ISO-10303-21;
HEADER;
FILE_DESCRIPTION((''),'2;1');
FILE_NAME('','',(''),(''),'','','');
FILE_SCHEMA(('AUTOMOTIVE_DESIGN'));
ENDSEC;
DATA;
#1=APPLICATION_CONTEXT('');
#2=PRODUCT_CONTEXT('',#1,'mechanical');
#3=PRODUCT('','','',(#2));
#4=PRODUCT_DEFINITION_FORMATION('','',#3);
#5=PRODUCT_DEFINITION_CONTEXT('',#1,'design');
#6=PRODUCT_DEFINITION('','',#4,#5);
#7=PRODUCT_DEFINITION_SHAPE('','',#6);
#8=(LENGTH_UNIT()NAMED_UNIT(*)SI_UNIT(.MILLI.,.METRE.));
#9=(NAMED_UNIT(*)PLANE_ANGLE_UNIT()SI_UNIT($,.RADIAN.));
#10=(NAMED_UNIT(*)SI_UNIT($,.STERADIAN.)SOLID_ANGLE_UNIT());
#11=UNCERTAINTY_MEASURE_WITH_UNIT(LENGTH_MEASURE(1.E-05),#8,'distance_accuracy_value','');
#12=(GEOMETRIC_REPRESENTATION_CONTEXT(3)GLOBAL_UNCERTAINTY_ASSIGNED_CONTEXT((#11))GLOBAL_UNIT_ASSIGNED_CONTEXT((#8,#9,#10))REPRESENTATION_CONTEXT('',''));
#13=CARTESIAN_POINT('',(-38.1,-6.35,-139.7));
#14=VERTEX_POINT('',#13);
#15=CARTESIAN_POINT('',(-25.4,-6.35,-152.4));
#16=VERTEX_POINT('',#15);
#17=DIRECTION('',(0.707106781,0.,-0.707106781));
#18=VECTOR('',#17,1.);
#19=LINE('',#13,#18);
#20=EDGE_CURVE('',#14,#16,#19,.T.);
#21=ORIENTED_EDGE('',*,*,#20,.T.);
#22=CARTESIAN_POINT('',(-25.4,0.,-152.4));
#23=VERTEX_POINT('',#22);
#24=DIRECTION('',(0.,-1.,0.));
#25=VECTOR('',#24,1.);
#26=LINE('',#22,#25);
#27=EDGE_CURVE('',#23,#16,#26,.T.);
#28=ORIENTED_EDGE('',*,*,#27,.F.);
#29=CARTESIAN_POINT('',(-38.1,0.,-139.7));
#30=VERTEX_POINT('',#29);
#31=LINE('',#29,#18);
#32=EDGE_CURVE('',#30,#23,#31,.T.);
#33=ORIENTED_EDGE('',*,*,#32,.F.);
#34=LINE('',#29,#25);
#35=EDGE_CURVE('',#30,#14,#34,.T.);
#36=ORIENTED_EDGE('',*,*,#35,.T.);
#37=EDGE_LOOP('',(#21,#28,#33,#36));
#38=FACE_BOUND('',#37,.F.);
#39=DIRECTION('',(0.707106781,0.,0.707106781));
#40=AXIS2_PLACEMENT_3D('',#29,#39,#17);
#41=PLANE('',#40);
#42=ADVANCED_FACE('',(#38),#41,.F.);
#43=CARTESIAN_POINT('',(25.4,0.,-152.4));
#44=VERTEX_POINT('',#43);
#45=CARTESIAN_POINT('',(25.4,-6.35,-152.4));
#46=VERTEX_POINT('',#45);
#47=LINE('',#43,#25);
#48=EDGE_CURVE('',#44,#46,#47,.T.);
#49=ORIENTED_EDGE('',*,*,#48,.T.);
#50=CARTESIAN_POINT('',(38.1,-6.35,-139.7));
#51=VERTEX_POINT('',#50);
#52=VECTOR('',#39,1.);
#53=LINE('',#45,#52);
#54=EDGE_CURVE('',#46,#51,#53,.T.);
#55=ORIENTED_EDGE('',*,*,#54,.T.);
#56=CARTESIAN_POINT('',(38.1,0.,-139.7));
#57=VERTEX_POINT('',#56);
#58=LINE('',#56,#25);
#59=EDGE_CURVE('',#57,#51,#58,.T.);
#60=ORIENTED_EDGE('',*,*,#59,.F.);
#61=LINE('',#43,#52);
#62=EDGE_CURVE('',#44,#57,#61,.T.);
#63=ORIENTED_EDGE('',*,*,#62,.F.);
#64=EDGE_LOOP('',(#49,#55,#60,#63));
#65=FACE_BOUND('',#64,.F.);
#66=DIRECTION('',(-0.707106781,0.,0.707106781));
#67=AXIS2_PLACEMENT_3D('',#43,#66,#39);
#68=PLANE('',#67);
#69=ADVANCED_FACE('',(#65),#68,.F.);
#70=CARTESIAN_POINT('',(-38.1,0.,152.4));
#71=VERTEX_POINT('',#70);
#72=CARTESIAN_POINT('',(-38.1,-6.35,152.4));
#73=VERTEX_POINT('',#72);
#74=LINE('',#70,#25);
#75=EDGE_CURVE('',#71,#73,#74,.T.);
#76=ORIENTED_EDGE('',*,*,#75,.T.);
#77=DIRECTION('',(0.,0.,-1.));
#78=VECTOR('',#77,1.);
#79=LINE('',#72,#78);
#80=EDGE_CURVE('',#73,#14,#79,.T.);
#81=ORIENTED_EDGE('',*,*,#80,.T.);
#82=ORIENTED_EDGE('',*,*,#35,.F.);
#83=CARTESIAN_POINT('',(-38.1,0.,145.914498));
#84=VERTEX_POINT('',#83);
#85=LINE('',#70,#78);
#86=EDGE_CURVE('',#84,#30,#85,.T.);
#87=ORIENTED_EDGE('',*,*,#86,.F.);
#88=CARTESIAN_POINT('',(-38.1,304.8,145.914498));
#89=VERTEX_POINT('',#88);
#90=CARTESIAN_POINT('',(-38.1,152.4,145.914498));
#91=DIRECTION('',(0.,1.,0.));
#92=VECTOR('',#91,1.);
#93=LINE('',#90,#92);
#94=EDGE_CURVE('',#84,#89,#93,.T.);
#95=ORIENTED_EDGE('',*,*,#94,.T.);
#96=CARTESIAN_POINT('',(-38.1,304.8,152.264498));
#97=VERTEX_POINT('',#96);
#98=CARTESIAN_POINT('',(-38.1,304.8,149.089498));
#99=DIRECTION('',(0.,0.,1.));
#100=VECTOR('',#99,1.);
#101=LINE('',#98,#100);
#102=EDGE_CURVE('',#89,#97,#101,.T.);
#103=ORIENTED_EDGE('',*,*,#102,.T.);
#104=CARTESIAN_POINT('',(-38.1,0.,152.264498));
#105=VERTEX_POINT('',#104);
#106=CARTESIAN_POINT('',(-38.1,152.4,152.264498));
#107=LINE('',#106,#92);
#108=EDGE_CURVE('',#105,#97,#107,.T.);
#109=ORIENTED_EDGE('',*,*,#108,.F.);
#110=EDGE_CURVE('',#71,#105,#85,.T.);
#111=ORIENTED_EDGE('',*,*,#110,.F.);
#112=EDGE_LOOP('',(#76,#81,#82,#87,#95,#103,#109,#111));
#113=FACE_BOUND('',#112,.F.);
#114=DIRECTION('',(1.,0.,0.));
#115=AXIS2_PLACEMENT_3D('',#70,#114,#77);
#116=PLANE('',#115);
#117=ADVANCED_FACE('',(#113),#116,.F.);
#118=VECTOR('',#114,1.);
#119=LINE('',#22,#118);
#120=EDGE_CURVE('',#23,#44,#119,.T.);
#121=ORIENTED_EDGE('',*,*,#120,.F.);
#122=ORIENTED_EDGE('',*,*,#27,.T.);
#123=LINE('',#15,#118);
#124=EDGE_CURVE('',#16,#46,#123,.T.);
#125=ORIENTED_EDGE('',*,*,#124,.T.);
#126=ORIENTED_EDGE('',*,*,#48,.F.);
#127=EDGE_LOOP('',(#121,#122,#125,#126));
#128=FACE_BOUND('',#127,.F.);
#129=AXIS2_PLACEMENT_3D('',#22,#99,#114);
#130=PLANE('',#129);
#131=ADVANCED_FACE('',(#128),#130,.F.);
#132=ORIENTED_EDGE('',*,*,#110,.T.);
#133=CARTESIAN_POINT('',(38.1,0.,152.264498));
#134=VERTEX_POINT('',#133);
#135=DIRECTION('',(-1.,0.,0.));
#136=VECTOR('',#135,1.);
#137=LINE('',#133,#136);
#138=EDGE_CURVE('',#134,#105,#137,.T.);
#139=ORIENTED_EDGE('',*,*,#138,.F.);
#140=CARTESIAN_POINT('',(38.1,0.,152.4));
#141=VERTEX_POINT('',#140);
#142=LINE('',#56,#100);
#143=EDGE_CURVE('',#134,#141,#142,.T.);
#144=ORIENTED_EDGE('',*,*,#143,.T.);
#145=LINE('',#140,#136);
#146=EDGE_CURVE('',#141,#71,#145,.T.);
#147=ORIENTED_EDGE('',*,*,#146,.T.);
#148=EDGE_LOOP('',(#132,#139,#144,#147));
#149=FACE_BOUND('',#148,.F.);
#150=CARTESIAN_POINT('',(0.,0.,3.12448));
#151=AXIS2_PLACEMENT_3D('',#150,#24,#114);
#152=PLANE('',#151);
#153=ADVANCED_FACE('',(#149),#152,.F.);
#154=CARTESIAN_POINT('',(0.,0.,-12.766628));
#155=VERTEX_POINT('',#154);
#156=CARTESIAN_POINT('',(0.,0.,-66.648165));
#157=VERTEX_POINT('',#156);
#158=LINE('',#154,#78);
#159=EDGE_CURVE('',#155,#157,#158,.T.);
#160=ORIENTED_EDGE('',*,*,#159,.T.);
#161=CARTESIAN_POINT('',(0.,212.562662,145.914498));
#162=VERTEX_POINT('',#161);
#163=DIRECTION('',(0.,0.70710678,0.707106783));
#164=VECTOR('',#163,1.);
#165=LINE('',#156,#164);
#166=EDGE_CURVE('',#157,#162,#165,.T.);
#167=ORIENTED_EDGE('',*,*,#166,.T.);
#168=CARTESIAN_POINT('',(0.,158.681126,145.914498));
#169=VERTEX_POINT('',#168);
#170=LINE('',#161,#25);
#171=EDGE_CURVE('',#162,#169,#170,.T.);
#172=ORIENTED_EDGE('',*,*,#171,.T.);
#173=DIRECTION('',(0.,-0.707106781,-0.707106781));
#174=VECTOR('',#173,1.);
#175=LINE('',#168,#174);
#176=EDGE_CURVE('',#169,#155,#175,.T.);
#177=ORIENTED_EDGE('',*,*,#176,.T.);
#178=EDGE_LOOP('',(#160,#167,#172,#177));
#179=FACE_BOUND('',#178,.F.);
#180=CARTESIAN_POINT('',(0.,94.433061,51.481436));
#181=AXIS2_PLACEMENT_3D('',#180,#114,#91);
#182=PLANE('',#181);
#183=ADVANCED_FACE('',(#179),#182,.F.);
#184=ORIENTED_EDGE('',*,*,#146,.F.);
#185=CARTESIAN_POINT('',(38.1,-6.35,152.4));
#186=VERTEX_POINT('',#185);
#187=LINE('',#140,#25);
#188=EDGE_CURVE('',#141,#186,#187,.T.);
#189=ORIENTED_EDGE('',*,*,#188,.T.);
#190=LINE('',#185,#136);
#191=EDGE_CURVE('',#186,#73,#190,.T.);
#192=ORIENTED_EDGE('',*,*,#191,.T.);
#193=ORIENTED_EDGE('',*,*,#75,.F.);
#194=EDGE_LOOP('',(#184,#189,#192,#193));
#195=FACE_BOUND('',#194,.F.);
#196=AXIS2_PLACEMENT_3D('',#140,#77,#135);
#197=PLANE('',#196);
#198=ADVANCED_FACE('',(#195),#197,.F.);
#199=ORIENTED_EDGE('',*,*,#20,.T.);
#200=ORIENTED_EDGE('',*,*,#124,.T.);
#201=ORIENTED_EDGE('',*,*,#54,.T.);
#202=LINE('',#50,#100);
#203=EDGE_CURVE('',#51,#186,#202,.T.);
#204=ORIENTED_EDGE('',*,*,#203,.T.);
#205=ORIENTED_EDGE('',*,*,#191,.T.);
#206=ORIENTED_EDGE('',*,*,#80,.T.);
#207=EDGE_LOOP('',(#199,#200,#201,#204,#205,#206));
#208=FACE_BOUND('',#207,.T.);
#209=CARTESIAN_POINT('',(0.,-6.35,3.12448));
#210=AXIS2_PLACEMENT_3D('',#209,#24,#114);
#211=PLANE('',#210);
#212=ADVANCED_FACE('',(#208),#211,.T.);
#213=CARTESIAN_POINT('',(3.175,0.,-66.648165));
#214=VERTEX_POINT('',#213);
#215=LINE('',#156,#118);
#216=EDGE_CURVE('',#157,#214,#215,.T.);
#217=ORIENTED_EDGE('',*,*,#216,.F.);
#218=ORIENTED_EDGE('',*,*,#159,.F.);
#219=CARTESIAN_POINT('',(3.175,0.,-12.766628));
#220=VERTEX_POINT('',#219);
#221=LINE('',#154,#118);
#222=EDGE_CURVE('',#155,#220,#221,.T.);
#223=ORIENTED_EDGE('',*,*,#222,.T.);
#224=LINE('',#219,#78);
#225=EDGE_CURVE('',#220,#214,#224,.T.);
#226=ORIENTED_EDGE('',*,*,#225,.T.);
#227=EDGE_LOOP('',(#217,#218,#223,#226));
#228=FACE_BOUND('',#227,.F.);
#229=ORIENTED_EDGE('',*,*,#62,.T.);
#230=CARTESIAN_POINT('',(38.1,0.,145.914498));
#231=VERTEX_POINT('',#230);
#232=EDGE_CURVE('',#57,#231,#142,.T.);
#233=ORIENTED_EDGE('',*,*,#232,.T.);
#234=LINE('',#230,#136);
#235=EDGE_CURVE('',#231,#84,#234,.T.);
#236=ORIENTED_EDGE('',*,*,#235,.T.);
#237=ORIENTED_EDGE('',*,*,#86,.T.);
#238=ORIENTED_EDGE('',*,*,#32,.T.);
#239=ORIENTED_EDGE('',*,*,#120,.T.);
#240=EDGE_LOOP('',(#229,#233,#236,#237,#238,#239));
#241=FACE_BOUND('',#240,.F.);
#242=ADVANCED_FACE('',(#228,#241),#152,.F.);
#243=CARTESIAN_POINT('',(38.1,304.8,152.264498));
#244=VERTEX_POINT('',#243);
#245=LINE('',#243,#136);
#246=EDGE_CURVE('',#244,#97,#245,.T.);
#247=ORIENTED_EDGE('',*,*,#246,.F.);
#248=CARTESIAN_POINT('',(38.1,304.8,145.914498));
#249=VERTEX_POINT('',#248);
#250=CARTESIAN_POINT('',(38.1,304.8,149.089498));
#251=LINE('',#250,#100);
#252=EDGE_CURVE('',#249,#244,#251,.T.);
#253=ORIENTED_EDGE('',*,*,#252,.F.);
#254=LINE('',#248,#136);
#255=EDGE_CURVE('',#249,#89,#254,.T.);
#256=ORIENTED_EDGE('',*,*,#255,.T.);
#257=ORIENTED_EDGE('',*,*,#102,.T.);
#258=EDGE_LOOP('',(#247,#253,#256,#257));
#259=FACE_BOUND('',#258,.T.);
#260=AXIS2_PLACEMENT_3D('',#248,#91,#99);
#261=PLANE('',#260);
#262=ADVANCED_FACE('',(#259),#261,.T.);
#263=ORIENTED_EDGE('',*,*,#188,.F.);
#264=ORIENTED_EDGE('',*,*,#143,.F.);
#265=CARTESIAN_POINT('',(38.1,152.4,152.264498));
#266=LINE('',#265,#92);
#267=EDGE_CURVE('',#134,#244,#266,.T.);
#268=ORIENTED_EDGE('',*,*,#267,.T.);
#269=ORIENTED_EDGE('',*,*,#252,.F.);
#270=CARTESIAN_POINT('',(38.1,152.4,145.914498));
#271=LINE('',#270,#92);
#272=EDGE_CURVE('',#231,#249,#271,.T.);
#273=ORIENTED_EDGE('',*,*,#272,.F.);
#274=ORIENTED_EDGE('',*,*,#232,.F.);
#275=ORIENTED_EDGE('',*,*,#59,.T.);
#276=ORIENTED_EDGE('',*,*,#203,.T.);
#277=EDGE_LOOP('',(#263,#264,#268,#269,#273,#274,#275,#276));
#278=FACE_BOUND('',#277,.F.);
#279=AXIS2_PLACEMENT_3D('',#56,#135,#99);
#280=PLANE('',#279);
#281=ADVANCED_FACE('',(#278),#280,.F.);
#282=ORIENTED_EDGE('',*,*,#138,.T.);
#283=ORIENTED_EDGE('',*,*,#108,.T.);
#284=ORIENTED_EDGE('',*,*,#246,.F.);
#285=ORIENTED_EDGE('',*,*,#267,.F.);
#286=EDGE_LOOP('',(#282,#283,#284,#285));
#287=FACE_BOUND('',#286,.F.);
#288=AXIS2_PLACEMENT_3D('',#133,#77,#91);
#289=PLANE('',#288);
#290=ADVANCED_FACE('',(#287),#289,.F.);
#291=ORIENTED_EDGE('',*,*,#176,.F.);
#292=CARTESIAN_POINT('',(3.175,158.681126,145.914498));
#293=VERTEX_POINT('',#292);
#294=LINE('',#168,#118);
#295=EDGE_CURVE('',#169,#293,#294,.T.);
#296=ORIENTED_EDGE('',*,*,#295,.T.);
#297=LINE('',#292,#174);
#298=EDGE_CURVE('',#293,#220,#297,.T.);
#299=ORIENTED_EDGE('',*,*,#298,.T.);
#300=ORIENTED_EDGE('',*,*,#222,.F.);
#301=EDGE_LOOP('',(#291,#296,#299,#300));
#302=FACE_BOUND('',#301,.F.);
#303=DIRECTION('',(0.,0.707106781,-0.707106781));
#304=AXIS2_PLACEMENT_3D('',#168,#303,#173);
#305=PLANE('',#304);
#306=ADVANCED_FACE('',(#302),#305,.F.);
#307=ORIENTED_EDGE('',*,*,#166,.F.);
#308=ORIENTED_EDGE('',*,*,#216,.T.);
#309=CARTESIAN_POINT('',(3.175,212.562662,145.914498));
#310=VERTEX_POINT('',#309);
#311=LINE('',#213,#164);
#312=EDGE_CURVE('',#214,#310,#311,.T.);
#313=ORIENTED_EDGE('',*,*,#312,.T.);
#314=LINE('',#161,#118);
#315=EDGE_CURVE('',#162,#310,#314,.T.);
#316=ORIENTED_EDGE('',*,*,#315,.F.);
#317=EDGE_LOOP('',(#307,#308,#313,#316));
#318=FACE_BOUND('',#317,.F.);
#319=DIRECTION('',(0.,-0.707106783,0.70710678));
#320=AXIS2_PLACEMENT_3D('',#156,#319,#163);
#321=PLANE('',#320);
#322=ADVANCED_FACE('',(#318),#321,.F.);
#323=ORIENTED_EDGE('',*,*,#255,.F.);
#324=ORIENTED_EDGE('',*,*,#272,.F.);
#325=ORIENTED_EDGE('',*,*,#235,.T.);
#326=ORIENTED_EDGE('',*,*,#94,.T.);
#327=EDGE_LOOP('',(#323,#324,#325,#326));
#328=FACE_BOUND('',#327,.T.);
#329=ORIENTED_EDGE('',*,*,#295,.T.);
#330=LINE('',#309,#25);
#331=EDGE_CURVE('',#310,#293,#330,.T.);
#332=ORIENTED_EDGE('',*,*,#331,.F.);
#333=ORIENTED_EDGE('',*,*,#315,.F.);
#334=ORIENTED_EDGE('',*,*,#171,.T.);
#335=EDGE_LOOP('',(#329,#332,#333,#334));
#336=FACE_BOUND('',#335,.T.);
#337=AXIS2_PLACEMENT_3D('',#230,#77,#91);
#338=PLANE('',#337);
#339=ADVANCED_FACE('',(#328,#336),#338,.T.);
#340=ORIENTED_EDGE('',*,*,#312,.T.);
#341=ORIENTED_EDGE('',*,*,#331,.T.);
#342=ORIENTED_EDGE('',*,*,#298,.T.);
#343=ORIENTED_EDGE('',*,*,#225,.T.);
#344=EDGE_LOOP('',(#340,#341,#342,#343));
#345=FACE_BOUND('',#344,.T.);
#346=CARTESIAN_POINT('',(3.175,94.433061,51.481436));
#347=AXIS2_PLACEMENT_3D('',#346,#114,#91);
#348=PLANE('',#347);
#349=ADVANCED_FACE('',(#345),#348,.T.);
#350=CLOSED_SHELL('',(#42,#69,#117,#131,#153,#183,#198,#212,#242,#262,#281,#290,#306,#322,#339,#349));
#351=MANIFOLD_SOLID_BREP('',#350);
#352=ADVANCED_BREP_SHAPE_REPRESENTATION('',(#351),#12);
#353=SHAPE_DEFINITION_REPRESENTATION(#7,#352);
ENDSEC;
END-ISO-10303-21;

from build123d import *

# Parameters (mm, degrees)
F1_DEPTH = 6.35
F3_W     = 304.8
F3_H     = 6.35
F4_DEPTH = 76.2
F6_DEPTH = 3.175
F7_DEPTH = 3.175


with BuildPart() as f1:
    # F0 (on Front) → F1 (new body)
    with BuildSketch(Plane.XZ):
        Polygon((-25.4, -152.4), (25.4, -152.4), (38.1, -139.7), (38.1, 152.4), (-38.1, 152.4), (-38.1, -139.7), align=None)
    extrude(amount=F1_DEPTH)

    # F3 (on offset) → F4 (join)
    with BuildSketch(Plane.YZ.offset(38.1)):
        with Locations((152.4, 149.089498)):
            Rectangle(F3_W, F3_H)
    extrude(amount=-F4_DEPTH)

    # F5 (on Right) → F6 (join)
    with BuildSketch(Plane.YZ):
        Polygon((0, -66.648165), (212.562662, 145.914498), (158.681126, 145.914498), (0, -12.766628), align=None)
    extrude(amount=F6_DEPTH)

    # F5 (on Right) → F7 (join)
    with BuildSketch(Plane.YZ):
        Polygon((0, -66.648165), (212.562662, 145.914498), (158.681126, 145.914498), (0, -12.766628), align=None)
    extrude(amount=F7_DEPTH)


solid = f1.part
